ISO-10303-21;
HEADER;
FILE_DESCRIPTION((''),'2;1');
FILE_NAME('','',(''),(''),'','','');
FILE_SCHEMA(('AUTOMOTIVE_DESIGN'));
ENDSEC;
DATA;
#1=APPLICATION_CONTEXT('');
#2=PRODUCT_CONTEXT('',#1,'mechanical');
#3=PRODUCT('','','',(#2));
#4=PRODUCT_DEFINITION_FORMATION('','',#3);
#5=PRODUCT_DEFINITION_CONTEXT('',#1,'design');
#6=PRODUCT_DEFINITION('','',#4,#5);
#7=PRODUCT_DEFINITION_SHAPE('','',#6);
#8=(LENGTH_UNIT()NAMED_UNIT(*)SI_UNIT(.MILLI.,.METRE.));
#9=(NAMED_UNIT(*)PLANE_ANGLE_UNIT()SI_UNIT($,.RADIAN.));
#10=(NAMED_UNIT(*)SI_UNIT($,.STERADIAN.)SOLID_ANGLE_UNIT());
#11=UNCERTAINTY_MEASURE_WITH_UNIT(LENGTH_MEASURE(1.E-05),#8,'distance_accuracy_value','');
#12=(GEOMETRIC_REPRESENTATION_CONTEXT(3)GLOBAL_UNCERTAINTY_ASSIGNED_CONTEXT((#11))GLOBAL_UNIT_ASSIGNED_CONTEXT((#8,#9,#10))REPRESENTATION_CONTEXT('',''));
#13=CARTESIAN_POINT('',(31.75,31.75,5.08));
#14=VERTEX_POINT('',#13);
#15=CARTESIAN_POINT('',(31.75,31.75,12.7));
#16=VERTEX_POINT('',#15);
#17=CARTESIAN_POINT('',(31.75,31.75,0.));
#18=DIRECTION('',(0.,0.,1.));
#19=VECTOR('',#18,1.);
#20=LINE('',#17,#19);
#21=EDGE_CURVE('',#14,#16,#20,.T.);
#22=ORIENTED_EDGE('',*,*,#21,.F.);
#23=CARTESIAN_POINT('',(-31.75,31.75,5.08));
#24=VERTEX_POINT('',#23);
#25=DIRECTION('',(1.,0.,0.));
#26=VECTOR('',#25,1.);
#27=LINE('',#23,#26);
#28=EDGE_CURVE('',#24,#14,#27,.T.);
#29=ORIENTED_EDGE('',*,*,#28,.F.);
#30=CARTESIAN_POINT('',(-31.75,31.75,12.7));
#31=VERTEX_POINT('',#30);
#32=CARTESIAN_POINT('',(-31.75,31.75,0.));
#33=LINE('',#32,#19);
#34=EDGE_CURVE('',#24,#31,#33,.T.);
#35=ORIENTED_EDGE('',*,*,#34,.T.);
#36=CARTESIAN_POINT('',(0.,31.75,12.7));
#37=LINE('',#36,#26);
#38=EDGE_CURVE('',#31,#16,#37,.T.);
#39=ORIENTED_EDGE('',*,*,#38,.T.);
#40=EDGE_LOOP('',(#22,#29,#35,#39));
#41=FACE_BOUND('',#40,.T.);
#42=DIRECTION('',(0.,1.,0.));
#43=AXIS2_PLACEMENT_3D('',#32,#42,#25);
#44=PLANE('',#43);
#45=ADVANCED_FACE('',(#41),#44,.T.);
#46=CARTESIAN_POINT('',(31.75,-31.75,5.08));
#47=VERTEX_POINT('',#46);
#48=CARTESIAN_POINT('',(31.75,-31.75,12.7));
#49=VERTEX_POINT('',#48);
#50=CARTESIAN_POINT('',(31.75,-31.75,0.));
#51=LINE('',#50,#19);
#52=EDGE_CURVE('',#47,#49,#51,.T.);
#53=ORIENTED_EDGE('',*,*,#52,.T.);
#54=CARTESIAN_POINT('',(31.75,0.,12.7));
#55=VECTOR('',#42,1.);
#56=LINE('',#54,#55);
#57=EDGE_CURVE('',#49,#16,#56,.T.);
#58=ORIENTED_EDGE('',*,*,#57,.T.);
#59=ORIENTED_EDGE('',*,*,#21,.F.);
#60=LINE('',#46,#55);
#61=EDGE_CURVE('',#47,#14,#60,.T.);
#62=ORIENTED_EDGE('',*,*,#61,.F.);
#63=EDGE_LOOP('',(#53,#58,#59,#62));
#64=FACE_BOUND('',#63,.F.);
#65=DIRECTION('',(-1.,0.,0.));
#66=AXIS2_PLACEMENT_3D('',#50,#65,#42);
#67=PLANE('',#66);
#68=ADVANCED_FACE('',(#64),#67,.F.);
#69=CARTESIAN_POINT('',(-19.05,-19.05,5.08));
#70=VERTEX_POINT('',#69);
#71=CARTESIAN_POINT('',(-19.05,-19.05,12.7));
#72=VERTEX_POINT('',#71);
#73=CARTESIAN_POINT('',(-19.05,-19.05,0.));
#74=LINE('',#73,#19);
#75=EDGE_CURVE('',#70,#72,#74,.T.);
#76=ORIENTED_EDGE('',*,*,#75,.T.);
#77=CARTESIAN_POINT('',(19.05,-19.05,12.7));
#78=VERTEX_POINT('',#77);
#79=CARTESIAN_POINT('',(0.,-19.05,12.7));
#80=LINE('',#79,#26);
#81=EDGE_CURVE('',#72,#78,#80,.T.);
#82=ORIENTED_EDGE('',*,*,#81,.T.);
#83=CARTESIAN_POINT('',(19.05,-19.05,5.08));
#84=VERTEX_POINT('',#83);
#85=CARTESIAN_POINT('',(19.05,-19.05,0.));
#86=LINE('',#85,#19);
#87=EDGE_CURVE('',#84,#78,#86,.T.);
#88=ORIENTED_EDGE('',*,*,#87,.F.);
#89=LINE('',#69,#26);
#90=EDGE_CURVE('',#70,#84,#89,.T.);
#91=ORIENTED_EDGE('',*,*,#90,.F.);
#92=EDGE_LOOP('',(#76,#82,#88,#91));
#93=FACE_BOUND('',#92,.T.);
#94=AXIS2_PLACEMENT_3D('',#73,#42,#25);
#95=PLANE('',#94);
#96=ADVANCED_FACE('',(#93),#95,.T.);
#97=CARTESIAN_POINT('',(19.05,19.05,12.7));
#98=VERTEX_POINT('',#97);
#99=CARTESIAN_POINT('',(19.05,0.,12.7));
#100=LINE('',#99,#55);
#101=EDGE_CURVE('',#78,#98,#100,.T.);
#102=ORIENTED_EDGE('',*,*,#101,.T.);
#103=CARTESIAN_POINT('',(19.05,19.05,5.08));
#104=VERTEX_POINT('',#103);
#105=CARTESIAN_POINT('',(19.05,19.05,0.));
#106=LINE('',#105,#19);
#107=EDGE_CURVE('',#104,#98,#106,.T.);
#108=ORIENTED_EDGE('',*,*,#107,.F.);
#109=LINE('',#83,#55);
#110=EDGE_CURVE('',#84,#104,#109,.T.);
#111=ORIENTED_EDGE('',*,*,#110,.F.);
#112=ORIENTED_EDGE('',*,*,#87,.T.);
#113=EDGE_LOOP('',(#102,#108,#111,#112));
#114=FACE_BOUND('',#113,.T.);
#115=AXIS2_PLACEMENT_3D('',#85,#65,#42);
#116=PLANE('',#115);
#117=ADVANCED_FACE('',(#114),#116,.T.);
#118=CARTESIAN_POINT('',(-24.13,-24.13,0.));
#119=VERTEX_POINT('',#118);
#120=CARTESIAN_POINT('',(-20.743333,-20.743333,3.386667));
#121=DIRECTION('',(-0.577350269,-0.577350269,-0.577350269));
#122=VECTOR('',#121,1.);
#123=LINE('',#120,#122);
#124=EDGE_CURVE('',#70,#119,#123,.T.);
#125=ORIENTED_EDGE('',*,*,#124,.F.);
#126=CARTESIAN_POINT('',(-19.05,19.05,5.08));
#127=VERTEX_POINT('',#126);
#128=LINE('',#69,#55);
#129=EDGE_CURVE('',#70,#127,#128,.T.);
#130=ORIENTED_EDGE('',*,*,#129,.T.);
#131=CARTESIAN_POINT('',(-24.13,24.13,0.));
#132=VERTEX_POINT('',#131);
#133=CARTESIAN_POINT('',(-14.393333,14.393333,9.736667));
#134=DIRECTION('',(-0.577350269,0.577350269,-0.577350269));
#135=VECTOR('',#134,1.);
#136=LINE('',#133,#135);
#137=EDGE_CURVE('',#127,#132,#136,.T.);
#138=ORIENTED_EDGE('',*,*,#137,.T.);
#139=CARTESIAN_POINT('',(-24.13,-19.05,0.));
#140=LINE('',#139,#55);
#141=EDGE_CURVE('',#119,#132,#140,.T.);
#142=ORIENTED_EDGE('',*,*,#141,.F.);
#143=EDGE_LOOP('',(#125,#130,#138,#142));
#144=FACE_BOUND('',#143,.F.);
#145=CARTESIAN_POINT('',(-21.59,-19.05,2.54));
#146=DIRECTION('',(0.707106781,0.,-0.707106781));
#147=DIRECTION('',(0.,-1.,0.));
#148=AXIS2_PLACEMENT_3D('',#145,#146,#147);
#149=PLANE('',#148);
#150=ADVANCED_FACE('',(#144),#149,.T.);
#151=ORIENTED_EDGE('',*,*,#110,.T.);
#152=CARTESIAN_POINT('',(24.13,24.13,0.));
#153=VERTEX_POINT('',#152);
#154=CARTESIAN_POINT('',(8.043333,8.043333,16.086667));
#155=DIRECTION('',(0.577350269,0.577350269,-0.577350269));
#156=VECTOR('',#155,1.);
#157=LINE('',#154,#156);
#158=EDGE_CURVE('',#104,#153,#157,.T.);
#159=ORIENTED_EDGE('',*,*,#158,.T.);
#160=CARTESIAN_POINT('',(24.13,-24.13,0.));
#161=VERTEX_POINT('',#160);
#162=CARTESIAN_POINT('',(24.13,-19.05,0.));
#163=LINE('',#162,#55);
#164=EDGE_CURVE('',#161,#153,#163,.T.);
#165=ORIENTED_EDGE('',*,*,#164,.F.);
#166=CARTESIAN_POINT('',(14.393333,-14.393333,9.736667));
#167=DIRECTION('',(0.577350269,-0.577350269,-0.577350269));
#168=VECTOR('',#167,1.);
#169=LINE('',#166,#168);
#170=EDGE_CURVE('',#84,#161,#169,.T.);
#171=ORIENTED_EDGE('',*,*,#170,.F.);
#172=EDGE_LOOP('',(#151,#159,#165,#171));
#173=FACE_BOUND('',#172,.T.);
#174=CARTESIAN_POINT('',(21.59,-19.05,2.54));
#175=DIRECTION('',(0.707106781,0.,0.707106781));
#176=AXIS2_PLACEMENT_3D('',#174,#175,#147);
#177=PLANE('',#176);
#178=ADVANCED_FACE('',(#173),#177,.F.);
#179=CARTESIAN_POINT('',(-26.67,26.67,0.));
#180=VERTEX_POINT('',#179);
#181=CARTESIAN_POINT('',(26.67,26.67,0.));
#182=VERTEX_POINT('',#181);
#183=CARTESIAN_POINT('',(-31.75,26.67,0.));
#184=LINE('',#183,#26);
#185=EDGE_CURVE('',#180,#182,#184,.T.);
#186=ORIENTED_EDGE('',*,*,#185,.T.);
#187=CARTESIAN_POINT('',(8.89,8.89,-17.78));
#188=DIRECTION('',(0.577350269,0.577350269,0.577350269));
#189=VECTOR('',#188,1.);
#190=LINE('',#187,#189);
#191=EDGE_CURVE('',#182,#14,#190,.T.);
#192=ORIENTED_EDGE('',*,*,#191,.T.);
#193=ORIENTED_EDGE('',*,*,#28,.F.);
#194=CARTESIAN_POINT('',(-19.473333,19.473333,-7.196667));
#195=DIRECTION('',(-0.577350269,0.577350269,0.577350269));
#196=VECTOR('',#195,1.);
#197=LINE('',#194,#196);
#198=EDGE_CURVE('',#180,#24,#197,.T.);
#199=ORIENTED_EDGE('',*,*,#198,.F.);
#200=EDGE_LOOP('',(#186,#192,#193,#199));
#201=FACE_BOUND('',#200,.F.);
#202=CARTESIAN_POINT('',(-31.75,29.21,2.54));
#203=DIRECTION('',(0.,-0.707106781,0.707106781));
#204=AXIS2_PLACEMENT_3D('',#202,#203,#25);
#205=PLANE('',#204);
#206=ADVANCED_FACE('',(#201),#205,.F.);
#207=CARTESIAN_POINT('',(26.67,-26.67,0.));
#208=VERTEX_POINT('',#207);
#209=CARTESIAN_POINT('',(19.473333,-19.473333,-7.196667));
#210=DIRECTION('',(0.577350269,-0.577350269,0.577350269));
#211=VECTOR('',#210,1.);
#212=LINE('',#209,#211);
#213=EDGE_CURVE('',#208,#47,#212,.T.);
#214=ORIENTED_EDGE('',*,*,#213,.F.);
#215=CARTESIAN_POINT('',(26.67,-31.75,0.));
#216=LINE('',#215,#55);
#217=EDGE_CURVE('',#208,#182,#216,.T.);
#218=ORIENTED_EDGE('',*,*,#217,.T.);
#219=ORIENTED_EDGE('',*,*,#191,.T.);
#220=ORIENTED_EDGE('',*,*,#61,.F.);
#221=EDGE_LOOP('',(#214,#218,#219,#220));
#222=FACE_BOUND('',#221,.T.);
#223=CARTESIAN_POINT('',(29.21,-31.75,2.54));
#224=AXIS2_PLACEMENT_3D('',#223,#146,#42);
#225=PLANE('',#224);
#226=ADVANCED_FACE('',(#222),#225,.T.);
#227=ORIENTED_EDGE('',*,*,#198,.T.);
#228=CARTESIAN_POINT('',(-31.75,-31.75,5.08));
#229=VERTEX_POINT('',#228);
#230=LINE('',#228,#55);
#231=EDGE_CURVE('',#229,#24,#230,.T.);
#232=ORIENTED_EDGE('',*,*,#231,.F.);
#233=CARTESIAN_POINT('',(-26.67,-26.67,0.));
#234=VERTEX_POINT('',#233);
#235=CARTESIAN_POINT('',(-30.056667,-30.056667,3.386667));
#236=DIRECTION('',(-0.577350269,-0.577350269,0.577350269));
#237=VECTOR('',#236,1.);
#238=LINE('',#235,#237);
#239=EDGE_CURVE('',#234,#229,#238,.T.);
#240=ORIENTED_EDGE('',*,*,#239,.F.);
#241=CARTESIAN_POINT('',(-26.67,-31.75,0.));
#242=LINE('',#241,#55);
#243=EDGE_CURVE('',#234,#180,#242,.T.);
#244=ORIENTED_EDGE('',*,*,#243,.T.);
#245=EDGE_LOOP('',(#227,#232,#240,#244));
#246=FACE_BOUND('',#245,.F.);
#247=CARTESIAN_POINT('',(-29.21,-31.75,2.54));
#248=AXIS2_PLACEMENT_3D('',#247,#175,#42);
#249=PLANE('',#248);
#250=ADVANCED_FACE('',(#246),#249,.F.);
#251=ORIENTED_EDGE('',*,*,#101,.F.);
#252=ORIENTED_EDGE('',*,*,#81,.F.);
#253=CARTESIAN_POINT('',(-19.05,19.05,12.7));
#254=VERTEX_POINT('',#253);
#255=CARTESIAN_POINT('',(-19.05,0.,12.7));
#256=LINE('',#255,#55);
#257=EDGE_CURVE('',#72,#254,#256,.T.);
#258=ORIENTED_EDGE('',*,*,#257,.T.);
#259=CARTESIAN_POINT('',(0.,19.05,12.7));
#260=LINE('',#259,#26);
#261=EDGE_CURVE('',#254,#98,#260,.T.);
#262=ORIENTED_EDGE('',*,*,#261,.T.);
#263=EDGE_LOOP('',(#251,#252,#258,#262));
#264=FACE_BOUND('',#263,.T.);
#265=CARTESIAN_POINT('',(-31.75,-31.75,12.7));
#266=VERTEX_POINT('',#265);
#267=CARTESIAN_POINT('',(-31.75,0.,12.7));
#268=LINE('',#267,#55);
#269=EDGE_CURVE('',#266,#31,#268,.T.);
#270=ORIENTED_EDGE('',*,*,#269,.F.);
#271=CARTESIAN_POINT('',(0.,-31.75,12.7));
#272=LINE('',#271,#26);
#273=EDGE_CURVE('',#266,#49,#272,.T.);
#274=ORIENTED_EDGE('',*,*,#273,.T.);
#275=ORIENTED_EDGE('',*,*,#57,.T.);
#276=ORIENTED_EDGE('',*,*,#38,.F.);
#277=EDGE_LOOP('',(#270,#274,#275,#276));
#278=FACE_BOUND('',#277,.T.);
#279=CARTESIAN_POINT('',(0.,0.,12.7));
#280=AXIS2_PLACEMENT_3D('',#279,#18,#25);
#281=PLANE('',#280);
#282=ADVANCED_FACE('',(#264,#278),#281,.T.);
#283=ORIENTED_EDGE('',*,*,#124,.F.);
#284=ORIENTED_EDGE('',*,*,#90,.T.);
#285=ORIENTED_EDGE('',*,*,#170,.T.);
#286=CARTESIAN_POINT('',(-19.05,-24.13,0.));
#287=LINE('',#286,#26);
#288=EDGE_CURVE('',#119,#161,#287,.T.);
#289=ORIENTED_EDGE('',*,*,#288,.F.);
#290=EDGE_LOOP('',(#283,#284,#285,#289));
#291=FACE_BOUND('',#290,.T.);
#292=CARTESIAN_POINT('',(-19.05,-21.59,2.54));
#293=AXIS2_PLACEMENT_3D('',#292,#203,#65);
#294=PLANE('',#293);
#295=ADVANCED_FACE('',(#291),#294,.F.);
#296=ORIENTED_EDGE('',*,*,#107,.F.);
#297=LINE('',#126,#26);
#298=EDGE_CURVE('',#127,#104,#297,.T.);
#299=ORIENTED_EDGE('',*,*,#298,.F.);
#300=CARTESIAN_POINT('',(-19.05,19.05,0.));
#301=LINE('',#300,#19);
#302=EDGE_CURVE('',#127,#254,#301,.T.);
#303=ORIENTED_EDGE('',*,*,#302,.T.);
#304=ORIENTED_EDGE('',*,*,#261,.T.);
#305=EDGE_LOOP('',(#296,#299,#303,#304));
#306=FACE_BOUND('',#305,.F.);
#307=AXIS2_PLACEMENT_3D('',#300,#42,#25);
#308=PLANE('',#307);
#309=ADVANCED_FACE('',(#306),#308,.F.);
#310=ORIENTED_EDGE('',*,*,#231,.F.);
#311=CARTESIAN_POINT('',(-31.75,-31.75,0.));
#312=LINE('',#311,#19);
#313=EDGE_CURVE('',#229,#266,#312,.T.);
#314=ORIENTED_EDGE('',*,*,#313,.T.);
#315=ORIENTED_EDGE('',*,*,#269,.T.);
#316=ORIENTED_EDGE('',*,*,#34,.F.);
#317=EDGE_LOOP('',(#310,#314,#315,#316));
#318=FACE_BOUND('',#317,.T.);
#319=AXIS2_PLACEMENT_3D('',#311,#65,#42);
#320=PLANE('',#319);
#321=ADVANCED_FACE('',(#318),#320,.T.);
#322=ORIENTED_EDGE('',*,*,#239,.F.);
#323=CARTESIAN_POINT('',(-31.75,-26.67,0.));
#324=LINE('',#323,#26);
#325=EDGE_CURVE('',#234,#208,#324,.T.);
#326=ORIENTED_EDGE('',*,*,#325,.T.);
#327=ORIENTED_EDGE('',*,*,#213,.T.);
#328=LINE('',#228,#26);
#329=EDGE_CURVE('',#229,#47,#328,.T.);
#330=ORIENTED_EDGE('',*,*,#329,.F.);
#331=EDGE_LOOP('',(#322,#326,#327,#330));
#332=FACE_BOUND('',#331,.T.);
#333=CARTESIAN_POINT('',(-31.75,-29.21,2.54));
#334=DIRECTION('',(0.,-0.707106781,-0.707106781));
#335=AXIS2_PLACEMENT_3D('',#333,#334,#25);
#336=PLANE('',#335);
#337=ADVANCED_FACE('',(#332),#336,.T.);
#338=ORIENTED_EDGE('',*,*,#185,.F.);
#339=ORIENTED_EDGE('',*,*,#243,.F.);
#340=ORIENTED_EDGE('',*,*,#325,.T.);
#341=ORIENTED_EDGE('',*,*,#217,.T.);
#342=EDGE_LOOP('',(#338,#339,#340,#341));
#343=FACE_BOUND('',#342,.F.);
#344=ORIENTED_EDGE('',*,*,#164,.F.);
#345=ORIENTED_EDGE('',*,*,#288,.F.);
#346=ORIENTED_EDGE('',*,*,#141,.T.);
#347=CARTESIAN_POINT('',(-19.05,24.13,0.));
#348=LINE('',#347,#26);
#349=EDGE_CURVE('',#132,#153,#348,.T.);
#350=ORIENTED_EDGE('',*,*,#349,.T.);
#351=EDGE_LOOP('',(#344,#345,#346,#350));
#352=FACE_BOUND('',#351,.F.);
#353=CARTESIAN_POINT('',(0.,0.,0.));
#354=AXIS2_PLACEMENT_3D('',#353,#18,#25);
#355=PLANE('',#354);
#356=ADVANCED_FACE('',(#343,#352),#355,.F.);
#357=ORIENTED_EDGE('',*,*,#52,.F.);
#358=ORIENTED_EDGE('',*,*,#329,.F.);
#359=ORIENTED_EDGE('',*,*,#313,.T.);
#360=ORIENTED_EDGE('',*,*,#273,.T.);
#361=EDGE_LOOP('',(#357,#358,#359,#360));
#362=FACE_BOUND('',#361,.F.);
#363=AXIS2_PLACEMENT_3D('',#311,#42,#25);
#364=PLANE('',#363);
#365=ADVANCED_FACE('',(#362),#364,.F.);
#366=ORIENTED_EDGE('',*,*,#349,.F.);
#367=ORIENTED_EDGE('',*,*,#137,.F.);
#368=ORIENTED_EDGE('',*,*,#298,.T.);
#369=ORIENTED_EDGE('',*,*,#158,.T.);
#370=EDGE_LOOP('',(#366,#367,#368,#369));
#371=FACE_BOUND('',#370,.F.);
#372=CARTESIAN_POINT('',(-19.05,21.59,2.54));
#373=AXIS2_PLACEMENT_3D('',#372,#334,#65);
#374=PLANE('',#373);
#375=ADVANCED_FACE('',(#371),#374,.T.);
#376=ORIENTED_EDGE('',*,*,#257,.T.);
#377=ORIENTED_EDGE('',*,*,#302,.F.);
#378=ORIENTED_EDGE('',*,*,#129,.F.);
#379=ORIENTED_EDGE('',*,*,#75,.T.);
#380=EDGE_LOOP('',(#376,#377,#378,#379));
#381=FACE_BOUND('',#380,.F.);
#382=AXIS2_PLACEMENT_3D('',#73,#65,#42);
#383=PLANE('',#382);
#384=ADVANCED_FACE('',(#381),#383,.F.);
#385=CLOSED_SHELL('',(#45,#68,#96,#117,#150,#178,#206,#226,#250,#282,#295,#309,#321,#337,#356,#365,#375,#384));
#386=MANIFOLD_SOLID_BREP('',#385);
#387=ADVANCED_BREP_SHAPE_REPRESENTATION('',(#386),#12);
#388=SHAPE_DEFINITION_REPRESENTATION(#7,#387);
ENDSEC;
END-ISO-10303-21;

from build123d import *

# Parameters (mm, degrees)
F0_W     = 63.5
F0_H     = 63.5
F0_W_2   = 38.1
F0_H_2   = 38.1
F1_DEPTH = 12.7
F2_SIZE  = 5.08
F3_SIZE  = 5.08


with BuildPart() as f1:
    # F0 (on Top) → F1 (new body)
    with BuildSketch(Plane.XY):
        Rectangle(F0_W, F0_H)
        Rectangle(F0_W_2, F0_H_2, mode=Mode.SUBTRACT)
    extrude(amount=F1_DEPTH)

    # F2
    f2_edges = [f1.edges().sort_by_distance(p)[0] for p in [
        (19.05, 0, 0),
        (0, 19.05, 0),
        (-19.05, 0, 0),
        (0, -19.05, 0),
    ]]
    chamfer(f2_edges, length=F2_SIZE)

    # F3
    f3_edges = [f1.edges().sort_by_distance(p)[0] for p in [
        (0, 31.75, 0),
        (-31.75, 0, 0),
        (0, -31.75, 0),
        (31.75, 0, 0),
    ]]
    chamfer(f3_edges, length=F3_SIZE)


solid = f1.part
